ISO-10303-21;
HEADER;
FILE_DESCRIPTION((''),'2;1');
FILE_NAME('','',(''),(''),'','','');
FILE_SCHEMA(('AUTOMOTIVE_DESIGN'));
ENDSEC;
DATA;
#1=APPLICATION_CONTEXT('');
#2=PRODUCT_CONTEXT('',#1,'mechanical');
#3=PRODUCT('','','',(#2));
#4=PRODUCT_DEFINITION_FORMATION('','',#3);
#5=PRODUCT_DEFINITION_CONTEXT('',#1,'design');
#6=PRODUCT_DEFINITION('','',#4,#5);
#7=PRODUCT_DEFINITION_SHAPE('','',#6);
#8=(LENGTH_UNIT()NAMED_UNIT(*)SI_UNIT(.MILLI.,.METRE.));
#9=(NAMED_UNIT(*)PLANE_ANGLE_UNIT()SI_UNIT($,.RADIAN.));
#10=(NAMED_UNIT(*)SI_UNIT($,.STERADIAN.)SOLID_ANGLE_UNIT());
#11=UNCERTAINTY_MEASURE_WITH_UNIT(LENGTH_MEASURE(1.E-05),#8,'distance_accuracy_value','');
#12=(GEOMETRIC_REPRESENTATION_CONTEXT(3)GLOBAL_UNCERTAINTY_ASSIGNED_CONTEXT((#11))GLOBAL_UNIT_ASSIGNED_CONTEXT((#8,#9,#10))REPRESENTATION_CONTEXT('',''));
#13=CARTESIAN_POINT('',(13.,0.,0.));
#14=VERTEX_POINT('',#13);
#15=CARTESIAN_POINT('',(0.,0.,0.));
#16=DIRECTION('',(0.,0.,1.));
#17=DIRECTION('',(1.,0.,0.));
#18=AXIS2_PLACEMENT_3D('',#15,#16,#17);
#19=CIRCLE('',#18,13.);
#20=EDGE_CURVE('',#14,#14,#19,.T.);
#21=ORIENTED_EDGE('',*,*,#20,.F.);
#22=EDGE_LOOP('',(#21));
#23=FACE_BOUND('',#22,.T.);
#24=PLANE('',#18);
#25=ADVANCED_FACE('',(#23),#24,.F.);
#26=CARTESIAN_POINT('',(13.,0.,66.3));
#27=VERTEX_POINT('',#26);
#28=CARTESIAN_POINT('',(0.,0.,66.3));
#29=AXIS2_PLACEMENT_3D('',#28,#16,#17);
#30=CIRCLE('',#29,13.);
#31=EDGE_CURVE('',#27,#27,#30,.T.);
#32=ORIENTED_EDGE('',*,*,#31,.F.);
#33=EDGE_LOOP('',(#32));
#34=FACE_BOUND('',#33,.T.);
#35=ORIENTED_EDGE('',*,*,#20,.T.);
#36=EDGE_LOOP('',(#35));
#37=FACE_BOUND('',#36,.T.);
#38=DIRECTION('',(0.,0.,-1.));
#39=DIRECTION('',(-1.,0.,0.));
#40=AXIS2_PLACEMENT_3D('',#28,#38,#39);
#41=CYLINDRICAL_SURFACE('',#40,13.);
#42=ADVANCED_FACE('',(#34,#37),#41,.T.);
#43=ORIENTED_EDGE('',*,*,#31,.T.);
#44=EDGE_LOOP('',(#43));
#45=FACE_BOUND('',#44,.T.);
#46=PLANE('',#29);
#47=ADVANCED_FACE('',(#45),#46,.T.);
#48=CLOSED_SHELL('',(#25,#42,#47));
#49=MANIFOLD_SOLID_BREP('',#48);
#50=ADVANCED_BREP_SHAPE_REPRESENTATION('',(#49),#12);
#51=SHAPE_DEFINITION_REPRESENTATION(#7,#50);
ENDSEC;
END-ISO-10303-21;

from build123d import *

# Parameters (mm, degrees)
SKETCH1_R           = 13
BOSS_EXTRUDE1_DEPTH = 66.3


with BuildPart() as part:
    # Sketch1 → Boss-Extrude1 (new body)
    with BuildSketch(Plane.XY):
        Circle(SKETCH1_R)
    extrude(amount=BOSS_EXTRUDE1_DEPTH)


solid = part.part
